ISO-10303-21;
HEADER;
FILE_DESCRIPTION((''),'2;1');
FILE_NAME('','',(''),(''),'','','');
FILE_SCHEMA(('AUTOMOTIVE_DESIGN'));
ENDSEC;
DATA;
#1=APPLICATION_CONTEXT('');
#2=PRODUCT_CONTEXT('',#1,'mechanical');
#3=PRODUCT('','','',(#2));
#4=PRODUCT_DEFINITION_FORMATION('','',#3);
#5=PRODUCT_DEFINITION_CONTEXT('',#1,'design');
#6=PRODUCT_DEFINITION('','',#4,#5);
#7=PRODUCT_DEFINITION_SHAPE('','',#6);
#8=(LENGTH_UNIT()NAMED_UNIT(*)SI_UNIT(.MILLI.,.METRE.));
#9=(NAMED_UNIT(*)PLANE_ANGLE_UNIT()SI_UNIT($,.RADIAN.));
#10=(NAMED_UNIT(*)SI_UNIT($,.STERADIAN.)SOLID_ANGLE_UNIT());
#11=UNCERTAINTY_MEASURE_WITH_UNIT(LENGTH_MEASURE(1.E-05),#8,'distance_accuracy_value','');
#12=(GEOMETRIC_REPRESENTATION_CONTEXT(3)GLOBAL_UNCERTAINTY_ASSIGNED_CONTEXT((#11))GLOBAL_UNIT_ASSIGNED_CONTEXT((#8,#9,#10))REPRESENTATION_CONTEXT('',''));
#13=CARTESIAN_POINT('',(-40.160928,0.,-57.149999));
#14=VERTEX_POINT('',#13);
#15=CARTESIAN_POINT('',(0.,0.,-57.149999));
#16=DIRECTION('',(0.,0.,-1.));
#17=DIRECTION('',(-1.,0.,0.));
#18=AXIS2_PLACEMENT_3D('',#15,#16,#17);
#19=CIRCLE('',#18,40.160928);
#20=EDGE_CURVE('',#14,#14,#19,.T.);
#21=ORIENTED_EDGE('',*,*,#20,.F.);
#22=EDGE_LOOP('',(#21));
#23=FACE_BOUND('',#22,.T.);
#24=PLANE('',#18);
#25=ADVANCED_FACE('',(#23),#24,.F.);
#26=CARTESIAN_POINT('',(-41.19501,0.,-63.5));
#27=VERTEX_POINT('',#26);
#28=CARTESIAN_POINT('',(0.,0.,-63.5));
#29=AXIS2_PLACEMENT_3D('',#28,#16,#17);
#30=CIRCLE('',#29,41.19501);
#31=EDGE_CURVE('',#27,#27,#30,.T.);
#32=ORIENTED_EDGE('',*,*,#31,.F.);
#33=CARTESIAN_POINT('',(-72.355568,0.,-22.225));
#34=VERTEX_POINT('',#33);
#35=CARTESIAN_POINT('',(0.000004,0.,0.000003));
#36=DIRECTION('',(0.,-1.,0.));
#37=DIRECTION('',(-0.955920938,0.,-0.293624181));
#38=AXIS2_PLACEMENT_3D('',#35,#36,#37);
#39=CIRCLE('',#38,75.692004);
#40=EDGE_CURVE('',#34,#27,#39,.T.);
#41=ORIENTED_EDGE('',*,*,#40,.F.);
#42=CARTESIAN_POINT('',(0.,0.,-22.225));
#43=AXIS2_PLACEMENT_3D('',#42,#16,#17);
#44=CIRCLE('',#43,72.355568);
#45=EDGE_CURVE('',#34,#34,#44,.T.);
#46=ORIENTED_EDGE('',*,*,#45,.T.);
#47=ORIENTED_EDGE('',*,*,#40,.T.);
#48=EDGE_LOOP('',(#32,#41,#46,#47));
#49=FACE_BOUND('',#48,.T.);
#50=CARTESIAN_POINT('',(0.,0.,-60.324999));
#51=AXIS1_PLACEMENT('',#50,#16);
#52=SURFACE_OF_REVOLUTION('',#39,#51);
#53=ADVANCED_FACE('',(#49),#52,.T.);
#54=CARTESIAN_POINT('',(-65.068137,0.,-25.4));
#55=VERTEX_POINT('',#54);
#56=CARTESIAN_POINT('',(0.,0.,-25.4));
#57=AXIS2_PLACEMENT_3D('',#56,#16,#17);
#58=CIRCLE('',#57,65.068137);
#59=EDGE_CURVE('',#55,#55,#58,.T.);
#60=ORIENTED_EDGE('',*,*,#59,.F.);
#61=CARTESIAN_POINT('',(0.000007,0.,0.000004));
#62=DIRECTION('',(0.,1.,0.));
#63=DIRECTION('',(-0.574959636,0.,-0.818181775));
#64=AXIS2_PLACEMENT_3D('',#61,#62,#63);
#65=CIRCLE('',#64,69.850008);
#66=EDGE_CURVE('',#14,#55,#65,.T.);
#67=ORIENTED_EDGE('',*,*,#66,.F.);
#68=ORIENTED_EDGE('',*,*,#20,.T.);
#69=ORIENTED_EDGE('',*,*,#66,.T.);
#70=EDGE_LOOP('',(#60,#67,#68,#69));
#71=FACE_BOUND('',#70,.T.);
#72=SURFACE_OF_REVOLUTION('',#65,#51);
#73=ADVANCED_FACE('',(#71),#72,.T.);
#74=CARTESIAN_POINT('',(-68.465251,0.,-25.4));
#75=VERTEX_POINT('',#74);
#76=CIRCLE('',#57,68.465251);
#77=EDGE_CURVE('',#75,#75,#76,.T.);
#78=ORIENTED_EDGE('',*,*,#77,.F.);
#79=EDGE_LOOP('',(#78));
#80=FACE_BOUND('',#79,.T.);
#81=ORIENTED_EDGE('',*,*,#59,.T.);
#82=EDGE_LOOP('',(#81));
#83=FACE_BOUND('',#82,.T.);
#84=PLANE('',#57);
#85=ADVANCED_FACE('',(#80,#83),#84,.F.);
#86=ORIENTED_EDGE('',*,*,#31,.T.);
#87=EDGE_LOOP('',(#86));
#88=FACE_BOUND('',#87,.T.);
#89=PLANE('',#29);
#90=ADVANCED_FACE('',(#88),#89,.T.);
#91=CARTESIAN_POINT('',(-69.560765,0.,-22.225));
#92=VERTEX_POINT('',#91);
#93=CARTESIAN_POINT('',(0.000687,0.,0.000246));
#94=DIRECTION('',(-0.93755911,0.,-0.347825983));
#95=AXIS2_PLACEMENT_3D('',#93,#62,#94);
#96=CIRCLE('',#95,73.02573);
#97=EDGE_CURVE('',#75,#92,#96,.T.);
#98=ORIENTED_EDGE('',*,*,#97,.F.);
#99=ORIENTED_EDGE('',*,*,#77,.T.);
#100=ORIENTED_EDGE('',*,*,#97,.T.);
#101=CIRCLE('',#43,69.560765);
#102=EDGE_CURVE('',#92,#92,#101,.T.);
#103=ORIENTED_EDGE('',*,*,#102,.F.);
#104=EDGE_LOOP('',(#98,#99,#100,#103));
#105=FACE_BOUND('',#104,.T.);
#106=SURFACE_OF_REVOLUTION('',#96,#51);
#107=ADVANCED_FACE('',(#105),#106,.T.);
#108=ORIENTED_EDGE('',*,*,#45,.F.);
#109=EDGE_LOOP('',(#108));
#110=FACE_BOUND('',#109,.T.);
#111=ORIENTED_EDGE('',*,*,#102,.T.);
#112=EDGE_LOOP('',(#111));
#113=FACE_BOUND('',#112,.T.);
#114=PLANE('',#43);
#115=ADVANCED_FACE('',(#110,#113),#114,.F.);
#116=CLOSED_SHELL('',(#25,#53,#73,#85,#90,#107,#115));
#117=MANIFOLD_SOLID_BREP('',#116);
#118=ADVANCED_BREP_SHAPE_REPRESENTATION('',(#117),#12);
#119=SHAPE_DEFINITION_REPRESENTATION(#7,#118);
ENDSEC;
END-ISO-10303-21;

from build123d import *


with BuildPart() as f1:
    # F0 (on Front) → F1 (revolve)
    with BuildSketch(Plane.XZ):
        with BuildLine():
            Line((-69.560765, -22.225), (-72.355568, -22.225))
            ThreePointArc((-72.355568, -22.225), (-60.409766, -45.606348), (-41.19501, -63.5))
            Line((-41.19501, -63.5), (0, -63.5))
            Line((0, -63.5), (0, -57.149999))
            Line((0, -57.149999), (-40.160928, -57.149999))
            ThreePointArc((-40.160928, -57.149999), (-54.957298, -43.11285), (-65.068137, -25.4))
            Line((-65.068137, -25.4), (-68.465251, -25.4))
            ThreePointArc((-68.465251, -25.4), (-69.031264, -23.818799), (-69.560765, -22.225))
        make_face()
    revolve(axis=Axis((0, 0, -60.324999), (0, 0, -1)))


solid = f1.part
